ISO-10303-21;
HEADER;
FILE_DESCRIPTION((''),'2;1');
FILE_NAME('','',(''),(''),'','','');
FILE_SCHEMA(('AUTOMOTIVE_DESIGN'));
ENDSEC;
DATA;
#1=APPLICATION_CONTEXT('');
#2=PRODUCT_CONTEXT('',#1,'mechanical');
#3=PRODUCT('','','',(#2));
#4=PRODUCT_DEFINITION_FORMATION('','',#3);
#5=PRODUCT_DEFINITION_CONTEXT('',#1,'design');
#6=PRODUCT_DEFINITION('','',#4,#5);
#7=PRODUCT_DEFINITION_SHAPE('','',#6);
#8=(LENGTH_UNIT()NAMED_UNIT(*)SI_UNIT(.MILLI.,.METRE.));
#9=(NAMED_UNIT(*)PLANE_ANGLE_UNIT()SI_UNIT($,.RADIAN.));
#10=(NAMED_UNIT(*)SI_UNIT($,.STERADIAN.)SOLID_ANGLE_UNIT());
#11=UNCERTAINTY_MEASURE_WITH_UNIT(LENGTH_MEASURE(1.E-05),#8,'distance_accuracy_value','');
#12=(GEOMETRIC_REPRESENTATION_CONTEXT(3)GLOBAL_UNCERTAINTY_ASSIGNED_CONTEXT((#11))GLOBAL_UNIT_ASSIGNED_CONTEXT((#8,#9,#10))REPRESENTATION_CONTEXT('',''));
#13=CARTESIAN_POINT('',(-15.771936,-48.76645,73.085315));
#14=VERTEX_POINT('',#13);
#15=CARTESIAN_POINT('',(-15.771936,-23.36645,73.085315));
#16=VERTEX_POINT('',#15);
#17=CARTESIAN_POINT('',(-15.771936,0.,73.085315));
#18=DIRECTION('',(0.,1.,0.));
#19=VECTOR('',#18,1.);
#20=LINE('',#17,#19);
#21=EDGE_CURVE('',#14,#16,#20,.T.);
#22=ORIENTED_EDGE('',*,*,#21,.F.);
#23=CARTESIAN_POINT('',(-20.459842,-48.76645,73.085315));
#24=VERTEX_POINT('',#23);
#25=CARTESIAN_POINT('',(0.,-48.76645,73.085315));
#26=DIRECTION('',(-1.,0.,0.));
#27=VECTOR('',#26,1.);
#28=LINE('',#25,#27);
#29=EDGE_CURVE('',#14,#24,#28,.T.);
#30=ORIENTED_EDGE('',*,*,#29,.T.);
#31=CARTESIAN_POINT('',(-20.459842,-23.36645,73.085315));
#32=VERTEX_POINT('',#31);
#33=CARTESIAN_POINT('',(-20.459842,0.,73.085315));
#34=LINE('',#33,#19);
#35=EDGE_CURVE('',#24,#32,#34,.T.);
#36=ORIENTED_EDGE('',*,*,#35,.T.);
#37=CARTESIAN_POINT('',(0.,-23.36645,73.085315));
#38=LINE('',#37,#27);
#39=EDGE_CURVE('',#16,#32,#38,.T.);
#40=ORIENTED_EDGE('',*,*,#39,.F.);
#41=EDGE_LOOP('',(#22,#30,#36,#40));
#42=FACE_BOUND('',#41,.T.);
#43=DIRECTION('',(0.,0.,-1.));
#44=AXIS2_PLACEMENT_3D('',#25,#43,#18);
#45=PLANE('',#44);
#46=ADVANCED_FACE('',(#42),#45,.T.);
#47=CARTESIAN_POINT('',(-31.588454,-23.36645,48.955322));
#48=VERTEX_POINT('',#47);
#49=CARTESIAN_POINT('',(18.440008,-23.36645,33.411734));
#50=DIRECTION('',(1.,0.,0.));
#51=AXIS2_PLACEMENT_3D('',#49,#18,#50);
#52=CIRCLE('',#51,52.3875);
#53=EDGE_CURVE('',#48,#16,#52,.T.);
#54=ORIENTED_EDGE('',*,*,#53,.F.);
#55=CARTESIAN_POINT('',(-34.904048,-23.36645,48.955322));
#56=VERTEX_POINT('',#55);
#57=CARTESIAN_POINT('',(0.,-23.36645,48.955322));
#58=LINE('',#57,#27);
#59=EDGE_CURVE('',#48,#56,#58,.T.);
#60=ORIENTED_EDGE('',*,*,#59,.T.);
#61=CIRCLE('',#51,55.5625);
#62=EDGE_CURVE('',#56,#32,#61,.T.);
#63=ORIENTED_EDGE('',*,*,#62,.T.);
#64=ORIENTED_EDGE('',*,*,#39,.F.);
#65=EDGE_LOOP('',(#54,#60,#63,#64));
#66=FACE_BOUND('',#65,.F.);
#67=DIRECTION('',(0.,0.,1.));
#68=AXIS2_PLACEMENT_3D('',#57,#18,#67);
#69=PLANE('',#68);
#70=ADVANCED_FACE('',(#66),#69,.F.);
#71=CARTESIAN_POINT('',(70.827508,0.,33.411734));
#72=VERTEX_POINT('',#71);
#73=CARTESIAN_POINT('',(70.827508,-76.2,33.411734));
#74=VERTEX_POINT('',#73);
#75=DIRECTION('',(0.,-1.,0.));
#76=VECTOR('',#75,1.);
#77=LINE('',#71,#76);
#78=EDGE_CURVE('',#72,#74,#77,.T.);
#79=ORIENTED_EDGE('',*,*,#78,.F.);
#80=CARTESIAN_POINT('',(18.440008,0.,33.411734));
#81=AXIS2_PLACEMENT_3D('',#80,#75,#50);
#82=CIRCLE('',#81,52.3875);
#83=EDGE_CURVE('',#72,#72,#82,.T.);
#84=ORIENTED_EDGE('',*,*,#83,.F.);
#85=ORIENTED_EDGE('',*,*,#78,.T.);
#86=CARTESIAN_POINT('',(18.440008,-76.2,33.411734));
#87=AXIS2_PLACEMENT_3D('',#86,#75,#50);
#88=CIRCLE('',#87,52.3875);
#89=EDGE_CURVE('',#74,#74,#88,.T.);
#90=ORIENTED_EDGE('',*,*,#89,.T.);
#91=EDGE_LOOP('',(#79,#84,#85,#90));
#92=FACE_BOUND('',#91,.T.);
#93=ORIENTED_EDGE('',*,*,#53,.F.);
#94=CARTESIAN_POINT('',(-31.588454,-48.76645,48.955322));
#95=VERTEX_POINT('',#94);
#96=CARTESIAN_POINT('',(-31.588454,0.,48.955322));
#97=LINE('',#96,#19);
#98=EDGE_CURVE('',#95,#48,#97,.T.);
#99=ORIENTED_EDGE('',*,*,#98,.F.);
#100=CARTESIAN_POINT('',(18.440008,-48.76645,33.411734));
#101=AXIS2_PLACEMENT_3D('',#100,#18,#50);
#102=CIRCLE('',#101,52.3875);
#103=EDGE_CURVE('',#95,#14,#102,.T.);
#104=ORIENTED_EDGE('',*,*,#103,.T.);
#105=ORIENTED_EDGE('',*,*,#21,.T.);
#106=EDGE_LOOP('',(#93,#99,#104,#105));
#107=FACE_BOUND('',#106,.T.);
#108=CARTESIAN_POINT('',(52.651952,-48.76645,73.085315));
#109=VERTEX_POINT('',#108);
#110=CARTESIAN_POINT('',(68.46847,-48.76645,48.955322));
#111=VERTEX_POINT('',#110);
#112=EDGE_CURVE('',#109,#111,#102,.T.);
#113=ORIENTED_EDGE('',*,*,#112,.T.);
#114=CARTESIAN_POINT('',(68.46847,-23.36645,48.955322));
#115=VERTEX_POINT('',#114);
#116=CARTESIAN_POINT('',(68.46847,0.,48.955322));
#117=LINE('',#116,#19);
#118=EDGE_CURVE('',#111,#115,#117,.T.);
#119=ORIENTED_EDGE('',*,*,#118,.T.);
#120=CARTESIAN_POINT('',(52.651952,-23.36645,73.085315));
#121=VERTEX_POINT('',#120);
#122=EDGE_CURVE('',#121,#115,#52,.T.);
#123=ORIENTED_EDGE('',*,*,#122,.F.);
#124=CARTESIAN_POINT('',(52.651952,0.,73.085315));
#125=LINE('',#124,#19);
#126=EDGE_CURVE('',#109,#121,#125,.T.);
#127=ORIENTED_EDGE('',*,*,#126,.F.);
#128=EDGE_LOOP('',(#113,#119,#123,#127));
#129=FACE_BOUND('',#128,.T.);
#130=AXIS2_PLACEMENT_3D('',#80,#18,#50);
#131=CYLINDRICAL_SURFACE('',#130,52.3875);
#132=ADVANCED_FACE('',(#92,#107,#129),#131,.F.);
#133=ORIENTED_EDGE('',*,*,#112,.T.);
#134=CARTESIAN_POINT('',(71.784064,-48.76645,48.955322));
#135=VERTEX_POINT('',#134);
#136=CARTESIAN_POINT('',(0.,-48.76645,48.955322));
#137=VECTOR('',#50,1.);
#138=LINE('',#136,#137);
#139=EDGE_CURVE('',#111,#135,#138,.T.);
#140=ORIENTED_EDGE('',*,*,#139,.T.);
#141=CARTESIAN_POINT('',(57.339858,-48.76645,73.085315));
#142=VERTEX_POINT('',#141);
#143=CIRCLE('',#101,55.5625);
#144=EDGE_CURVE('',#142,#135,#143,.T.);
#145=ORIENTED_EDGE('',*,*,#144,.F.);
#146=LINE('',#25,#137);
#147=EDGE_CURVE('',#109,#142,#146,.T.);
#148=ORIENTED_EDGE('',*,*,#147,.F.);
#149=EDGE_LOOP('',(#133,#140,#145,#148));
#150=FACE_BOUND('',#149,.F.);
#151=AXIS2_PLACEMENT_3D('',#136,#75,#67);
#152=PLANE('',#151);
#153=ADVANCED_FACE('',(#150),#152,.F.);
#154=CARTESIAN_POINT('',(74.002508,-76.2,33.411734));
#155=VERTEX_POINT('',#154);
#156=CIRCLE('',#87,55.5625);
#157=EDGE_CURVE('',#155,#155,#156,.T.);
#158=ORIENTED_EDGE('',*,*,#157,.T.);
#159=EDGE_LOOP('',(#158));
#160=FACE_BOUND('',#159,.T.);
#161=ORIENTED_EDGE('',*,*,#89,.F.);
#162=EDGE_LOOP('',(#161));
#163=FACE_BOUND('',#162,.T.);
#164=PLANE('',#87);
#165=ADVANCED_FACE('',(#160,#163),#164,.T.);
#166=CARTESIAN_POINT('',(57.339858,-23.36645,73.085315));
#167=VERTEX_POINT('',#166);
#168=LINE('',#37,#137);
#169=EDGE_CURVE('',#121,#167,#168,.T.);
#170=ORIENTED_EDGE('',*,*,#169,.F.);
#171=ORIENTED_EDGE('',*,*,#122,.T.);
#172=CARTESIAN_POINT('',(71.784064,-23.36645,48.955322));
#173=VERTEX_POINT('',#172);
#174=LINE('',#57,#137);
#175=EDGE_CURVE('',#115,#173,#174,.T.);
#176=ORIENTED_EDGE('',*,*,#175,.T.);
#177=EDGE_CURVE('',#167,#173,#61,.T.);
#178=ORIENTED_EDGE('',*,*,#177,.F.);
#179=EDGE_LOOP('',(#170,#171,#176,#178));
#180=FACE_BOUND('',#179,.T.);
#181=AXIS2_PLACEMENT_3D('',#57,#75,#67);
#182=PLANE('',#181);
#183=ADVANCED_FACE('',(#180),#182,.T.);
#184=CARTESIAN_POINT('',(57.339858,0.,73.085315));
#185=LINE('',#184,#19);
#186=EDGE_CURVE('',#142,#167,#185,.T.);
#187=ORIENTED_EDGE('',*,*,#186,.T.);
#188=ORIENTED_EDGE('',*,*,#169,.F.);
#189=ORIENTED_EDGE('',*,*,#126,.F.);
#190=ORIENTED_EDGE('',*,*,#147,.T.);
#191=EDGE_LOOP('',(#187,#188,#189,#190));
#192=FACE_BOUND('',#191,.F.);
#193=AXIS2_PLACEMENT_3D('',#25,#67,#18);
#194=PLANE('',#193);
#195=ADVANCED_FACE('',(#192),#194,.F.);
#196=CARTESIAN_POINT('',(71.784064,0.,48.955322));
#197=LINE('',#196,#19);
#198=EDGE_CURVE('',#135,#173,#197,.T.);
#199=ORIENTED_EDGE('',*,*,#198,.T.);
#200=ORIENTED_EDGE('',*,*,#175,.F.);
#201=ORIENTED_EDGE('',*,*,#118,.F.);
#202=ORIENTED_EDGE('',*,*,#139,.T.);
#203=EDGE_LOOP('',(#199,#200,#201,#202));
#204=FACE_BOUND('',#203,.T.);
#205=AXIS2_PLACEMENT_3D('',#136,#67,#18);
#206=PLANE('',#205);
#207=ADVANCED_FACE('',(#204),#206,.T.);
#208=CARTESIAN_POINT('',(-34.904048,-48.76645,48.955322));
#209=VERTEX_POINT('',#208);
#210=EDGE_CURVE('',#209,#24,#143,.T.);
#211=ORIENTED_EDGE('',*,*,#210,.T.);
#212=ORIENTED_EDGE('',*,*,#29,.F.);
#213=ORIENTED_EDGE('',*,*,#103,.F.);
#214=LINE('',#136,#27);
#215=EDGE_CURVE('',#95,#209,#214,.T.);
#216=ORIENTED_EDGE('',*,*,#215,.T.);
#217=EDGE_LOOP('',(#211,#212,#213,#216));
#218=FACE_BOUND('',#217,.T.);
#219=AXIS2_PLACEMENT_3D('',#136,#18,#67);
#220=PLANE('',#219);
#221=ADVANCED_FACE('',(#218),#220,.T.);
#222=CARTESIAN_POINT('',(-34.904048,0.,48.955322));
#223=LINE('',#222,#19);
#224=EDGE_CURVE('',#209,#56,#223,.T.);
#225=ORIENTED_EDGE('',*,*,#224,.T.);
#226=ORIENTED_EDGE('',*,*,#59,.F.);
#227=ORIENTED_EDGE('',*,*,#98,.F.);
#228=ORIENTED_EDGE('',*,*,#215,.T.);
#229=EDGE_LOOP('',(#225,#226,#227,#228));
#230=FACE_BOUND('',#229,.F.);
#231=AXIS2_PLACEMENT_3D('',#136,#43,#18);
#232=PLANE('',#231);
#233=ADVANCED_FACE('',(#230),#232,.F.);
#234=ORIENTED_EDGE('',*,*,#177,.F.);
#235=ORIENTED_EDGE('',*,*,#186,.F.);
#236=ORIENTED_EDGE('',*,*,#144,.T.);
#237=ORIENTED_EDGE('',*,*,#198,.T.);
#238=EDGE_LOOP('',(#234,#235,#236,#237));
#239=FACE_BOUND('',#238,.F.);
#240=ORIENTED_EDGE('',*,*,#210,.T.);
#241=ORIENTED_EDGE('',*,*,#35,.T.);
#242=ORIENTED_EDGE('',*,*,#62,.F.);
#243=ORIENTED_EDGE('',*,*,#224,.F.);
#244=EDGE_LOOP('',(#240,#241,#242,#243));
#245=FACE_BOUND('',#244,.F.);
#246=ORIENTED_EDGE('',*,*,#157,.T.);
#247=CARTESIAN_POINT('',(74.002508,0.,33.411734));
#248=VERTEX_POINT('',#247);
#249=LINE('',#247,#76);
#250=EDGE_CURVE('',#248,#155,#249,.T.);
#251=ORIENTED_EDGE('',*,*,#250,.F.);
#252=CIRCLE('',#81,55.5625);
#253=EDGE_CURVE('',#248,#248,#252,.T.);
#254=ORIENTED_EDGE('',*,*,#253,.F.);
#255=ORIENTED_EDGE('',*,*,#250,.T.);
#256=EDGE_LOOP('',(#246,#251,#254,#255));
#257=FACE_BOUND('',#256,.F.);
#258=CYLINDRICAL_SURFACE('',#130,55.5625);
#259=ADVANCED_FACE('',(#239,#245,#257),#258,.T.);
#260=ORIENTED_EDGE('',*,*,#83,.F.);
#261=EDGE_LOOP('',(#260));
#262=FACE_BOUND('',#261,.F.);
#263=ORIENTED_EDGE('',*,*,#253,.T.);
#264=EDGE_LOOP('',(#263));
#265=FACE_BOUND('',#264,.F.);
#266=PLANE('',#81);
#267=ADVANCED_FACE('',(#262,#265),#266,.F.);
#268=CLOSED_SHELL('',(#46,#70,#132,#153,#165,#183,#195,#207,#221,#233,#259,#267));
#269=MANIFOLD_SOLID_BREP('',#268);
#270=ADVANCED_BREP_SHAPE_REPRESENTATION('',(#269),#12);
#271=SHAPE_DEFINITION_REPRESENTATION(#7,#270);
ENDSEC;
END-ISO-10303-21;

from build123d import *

# Parameters (mm, degrees)
F0_R          = 55.5625
F0_R_2        = 52.3875
F1_DEPTH      = 76.2
F2_W          = 25.4
F2_H          = 24.1299933493
F3_DEPTH      = 76.2
F3_DEPTH_BACK = 76.2


with BuildPart() as f1:
    # F0 (on Front) → F1 (new body)
    with BuildSketch(Plane.XZ):
        with Locations((18.4400081635, 33.4117338061)):
            Circle(F0_R)
        with Locations((18.4400081635, 33.4117338061)):
            Circle(F0_R_2, mode=Mode.SUBTRACT)
    extrude(amount=F1_DEPTH)

    # F2 (on Right) → F3 (cut, two sides)
    with BuildSketch(Plane.YZ) as f3_sk:
        with Locations((-36.0664501786, 61.0203184187)):
            Rectangle(F2_W, F2_H)
    extrude(amount=-F3_DEPTH, mode=Mode.SUBTRACT)
    extrude(f3_sk.sketch, amount=F3_DEPTH_BACK, mode=Mode.SUBTRACT)


solid = f1.part
